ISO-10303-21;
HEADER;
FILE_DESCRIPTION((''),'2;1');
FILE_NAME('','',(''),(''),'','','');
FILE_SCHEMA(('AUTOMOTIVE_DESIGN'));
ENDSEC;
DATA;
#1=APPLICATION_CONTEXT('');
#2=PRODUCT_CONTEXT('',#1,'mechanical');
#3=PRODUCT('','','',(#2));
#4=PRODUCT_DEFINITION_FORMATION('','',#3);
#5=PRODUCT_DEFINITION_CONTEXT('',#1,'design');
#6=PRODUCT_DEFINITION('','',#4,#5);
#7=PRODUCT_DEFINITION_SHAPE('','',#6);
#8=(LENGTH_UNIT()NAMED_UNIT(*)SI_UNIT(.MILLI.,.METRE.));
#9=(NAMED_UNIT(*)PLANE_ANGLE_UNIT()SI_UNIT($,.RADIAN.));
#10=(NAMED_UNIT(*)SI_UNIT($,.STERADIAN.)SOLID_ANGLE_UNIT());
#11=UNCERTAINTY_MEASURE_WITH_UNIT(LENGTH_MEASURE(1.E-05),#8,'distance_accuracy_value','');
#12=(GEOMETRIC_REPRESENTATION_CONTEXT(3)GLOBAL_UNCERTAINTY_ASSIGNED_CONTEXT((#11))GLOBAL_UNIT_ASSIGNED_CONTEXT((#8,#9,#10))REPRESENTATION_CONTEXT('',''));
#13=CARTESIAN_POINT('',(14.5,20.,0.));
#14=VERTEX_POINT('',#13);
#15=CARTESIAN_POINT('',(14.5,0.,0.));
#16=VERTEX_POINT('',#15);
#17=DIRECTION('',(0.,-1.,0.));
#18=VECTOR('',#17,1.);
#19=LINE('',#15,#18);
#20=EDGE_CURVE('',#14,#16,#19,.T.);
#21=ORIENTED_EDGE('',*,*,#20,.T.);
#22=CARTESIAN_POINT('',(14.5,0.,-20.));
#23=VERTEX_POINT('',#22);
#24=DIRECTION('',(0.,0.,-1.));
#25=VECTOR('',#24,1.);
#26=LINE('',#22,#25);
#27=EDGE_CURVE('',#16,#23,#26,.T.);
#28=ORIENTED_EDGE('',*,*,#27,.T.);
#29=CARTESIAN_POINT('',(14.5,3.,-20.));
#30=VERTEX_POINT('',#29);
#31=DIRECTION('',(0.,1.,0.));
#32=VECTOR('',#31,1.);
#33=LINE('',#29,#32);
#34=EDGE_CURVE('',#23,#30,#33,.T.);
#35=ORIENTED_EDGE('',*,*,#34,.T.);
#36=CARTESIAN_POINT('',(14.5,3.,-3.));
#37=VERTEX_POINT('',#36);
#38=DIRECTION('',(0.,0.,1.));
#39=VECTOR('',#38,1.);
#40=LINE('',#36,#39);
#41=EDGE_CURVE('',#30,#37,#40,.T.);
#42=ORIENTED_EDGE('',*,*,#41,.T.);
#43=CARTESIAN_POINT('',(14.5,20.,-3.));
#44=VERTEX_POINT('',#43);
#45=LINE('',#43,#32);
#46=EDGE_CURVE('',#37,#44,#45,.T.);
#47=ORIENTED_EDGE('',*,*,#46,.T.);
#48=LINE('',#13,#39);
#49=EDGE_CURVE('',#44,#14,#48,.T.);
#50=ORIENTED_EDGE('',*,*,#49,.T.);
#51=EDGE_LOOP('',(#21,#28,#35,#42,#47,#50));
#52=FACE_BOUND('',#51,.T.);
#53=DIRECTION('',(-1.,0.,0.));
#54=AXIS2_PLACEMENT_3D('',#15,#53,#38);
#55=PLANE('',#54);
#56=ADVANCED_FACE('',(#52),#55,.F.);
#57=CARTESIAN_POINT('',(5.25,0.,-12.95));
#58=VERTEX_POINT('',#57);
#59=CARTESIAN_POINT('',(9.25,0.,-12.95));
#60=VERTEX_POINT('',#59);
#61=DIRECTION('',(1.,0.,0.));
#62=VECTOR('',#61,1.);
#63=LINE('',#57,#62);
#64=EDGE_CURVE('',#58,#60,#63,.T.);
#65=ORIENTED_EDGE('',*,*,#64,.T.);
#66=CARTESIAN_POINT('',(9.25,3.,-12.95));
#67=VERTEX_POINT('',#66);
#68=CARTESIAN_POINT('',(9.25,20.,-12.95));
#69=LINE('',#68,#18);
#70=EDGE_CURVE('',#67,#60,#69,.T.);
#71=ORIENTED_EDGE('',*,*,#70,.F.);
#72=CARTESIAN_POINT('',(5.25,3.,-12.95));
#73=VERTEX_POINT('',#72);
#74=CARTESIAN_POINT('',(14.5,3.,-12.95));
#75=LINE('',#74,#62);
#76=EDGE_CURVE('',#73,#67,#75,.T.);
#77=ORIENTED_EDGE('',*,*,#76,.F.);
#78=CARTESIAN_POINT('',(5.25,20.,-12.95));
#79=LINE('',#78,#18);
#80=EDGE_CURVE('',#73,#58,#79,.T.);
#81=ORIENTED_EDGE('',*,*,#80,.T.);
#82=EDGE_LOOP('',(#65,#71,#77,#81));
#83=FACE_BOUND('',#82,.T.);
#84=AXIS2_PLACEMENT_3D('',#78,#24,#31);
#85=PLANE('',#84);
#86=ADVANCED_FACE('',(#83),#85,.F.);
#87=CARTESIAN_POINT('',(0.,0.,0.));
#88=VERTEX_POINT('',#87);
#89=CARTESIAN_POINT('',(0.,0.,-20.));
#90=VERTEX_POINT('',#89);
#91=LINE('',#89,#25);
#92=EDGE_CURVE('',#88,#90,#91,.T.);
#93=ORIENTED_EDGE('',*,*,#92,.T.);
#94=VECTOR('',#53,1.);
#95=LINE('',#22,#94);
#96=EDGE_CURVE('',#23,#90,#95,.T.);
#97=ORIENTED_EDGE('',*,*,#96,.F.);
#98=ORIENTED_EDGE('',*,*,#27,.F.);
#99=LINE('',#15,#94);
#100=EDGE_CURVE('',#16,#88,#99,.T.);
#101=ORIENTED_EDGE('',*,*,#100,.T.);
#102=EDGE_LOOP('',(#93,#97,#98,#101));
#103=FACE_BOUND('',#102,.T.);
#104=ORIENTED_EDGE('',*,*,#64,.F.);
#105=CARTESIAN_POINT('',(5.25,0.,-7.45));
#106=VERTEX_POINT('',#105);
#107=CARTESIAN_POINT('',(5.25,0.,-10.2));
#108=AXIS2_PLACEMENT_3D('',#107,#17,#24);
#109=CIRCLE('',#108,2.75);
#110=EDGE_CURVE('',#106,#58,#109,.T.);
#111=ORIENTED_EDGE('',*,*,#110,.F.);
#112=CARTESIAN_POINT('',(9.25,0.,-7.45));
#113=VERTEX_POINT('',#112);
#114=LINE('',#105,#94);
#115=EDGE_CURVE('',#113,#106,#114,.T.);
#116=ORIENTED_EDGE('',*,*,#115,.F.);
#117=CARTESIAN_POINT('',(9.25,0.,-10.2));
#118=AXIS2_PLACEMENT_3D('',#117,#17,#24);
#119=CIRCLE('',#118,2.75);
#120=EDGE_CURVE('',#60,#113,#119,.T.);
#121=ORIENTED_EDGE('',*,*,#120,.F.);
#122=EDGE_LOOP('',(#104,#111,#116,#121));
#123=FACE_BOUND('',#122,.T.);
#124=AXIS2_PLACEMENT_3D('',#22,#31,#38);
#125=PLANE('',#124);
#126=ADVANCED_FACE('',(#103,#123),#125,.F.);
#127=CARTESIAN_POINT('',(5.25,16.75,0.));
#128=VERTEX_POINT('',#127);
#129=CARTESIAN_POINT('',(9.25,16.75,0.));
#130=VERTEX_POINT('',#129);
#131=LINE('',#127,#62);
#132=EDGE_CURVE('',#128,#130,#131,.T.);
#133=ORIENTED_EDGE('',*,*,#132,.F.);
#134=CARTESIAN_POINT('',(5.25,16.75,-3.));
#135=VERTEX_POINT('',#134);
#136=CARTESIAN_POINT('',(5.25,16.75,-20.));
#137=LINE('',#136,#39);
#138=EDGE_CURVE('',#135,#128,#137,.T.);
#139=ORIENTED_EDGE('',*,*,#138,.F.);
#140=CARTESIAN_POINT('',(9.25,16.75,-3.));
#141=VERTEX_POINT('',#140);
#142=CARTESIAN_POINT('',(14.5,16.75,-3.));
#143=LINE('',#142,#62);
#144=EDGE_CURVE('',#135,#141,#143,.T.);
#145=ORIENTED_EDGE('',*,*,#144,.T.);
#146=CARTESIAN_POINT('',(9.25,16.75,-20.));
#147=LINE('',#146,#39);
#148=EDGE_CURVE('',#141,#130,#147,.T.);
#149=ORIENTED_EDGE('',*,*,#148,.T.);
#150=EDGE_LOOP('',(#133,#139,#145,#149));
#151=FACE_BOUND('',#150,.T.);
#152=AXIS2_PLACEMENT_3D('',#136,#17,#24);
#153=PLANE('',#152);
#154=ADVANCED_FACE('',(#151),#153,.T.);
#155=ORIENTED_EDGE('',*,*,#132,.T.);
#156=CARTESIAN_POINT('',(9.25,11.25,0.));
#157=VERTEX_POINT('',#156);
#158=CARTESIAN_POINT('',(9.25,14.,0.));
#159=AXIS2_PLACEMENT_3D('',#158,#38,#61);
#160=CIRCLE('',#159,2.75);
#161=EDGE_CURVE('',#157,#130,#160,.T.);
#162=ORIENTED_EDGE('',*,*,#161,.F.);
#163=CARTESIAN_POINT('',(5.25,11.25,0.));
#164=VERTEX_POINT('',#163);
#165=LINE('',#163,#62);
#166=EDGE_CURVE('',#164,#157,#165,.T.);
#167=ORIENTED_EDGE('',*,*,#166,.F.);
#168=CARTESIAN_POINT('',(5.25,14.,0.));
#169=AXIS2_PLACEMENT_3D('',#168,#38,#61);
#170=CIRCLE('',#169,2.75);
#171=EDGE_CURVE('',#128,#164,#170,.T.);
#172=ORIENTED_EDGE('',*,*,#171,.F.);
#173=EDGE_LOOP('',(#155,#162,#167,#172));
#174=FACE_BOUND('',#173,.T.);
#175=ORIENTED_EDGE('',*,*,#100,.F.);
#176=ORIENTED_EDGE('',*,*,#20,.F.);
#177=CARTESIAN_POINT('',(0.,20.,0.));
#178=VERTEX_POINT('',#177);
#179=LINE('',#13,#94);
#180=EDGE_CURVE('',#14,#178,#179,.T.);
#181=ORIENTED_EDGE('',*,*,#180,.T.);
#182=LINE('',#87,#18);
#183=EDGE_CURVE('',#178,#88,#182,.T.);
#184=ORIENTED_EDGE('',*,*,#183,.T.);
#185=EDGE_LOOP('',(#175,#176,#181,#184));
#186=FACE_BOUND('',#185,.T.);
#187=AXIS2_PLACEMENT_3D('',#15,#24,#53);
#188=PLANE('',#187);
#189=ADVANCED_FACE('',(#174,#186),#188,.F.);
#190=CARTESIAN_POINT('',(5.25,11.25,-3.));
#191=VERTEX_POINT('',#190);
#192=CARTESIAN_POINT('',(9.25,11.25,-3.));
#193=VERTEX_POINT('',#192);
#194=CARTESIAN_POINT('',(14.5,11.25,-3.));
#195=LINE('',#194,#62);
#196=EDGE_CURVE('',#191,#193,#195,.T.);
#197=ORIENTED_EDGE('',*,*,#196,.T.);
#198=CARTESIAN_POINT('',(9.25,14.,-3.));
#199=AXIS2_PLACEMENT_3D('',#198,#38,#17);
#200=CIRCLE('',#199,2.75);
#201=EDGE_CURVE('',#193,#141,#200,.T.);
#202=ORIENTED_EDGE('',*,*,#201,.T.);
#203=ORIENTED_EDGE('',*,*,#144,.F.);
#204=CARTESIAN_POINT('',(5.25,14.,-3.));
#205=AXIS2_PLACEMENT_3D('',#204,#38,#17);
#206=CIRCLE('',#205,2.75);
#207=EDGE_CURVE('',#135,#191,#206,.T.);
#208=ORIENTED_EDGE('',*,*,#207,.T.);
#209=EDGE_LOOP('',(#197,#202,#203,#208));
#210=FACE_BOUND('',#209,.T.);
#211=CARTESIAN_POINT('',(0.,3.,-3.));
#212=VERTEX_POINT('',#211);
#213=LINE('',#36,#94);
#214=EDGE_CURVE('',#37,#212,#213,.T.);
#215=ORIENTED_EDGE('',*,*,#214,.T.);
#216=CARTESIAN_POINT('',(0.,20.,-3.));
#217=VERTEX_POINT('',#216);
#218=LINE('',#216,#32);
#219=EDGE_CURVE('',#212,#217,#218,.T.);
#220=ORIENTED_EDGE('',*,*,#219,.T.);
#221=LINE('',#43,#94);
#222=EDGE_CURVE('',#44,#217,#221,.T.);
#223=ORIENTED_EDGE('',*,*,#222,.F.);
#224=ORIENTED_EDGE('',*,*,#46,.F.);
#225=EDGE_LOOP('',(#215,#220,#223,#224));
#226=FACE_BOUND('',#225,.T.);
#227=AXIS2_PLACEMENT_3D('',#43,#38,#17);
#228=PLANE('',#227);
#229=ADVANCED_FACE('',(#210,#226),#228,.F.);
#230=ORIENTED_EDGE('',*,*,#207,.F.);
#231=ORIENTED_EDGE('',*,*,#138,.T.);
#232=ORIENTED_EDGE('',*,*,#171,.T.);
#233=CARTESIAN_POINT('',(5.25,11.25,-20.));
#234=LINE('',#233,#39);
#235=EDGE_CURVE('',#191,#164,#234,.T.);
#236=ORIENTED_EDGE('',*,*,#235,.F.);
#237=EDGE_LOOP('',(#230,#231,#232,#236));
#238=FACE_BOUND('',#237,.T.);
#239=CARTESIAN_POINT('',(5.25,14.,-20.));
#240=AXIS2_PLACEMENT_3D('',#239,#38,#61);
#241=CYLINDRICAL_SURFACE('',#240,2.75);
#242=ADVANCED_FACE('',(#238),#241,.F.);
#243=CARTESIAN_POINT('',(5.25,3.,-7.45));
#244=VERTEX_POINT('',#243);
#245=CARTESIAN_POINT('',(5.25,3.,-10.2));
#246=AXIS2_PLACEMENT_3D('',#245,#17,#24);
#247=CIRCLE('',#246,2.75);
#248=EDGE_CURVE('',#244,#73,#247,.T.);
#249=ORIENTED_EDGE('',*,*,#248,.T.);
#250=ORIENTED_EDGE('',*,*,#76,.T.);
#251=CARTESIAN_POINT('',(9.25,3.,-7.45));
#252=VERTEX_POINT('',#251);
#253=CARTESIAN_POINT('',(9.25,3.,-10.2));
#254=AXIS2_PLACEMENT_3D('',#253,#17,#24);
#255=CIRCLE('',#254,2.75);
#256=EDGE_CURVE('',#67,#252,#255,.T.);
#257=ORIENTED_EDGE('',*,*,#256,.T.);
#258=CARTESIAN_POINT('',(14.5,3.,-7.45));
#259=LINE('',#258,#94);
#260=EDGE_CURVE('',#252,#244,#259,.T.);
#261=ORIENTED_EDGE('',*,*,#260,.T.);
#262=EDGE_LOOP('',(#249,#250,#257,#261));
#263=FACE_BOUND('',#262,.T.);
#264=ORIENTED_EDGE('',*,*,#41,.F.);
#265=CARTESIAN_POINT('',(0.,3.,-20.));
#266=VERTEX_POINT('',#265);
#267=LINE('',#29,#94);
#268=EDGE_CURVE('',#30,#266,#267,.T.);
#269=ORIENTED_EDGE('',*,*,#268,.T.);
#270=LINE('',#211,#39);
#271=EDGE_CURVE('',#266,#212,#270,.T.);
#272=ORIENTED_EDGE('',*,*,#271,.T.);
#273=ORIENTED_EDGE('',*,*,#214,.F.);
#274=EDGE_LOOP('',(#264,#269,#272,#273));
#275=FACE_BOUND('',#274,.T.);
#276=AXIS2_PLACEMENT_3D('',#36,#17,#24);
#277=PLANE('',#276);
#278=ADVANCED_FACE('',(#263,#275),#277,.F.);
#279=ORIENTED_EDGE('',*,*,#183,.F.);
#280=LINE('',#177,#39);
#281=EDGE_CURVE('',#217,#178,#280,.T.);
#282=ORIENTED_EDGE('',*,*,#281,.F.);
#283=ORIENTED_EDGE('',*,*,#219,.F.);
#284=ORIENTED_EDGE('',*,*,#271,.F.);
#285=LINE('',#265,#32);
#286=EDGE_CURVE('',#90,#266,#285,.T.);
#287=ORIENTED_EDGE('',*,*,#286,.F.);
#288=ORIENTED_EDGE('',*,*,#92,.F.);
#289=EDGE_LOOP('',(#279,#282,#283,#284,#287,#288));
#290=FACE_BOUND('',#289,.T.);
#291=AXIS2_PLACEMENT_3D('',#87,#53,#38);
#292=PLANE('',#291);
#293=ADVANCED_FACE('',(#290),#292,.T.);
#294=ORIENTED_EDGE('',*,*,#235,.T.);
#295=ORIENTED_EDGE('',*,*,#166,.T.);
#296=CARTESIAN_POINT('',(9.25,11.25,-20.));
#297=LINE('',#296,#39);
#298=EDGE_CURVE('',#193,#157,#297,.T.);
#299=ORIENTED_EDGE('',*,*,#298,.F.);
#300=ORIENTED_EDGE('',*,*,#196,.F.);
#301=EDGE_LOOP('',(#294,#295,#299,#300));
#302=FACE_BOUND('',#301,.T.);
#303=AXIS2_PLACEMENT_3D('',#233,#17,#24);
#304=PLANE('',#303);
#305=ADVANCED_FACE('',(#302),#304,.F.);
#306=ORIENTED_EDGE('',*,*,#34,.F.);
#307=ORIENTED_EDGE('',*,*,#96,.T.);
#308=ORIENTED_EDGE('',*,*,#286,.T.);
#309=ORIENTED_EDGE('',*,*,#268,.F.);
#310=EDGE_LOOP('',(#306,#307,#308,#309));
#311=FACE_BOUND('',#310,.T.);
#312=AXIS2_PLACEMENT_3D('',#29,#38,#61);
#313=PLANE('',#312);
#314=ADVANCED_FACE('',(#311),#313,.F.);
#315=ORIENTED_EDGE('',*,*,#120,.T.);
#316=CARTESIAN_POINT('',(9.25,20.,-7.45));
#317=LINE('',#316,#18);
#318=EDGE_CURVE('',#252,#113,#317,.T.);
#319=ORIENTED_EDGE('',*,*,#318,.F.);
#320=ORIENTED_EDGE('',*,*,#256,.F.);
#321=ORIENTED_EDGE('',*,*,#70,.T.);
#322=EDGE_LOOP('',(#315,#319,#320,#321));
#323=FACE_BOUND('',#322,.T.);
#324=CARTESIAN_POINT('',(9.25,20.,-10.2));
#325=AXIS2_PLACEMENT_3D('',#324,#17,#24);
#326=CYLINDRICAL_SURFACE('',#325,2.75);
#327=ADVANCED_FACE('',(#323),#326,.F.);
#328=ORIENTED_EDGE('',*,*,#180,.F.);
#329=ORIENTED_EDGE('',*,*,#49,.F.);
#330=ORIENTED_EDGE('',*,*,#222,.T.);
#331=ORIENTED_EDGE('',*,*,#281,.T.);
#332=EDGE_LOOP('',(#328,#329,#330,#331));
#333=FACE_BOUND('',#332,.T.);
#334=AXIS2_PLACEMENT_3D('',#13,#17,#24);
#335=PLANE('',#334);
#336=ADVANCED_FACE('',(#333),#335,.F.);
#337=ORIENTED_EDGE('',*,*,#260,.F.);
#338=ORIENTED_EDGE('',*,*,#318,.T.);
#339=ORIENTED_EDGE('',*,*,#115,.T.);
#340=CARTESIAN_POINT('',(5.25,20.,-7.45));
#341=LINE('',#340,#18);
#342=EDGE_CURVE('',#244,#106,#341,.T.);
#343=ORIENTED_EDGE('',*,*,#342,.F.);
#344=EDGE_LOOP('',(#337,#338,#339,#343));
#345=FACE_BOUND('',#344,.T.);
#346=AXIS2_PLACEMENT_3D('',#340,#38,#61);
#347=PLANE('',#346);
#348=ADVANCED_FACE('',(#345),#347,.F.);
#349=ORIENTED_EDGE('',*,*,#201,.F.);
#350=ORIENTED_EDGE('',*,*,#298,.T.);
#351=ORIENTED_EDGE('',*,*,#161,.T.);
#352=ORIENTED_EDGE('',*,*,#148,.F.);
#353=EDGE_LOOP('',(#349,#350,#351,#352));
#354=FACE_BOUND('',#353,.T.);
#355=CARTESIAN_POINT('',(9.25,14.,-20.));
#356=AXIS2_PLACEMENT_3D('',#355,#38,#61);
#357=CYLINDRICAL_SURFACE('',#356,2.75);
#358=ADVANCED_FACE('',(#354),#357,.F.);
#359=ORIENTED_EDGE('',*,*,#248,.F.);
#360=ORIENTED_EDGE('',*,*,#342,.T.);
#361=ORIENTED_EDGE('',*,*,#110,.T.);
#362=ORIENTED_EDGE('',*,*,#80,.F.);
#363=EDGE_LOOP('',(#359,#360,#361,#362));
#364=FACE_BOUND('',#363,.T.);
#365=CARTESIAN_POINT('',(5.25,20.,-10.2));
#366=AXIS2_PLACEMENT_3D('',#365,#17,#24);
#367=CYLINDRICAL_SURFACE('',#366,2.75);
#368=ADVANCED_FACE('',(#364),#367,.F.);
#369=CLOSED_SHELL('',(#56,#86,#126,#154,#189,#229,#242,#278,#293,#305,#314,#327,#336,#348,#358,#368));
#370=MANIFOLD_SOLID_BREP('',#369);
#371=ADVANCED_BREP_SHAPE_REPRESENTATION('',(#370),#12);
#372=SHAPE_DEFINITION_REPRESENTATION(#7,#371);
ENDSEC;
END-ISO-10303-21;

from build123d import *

# Parameters (mm, degrees)
BOSS_EXTRUDE1_DEPTH = 14.5
CUT_EXTRUDE1_DEPTH  = 21
CUT_EXTRUDE2_DEPTH  = 21


with BuildPart() as part:
    # Sketch1 → Boss-Extrude1 (new body)
    with BuildSketch(Plane(origin=(0, 0, 0), x_dir=(0, 0, -1), z_dir=(1, 0, 0))):
        Polygon((0, 0), (0, 20), (3, 20), (3, 3), (20, 3), (20, 0), align=None)
    extrude(amount=BOSS_EXTRUDE1_DEPTH)

    # Sketch2 → Cut-Extrude1 (cut, through all)
    with BuildSketch(Plane.XY):
        with BuildLine():
            Line((5.25, 16.75), (9.25, 16.75))
            ThreePointArc((9.25, 16.75), (12, 14), (9.25, 11.25))
            Line((9.25, 11.25), (5.25, 11.25))
            ThreePointArc((5.25, 11.25), (2.5, 14), (5.25, 16.75))
        make_face()
    extrude(amount=-CUT_EXTRUDE1_DEPTH, mode=Mode.SUBTRACT)

    # Sketch3 → Cut-Extrude2 (cut, through all)
    with BuildSketch(Plane.XZ):
        with BuildLine():
            Line((5.25, -7.45), (9.25, -7.45))
            ThreePointArc((9.25, -7.45), (12, -10.2), (9.25, -12.95))
            Line((9.25, -12.95), (5.25, -12.95))
            ThreePointArc((5.25, -12.95), (2.5, -10.2), (5.25, -7.45))
        make_face()
    extrude(amount=-CUT_EXTRUDE2_DEPTH, mode=Mode.SUBTRACT)


solid = part.part
